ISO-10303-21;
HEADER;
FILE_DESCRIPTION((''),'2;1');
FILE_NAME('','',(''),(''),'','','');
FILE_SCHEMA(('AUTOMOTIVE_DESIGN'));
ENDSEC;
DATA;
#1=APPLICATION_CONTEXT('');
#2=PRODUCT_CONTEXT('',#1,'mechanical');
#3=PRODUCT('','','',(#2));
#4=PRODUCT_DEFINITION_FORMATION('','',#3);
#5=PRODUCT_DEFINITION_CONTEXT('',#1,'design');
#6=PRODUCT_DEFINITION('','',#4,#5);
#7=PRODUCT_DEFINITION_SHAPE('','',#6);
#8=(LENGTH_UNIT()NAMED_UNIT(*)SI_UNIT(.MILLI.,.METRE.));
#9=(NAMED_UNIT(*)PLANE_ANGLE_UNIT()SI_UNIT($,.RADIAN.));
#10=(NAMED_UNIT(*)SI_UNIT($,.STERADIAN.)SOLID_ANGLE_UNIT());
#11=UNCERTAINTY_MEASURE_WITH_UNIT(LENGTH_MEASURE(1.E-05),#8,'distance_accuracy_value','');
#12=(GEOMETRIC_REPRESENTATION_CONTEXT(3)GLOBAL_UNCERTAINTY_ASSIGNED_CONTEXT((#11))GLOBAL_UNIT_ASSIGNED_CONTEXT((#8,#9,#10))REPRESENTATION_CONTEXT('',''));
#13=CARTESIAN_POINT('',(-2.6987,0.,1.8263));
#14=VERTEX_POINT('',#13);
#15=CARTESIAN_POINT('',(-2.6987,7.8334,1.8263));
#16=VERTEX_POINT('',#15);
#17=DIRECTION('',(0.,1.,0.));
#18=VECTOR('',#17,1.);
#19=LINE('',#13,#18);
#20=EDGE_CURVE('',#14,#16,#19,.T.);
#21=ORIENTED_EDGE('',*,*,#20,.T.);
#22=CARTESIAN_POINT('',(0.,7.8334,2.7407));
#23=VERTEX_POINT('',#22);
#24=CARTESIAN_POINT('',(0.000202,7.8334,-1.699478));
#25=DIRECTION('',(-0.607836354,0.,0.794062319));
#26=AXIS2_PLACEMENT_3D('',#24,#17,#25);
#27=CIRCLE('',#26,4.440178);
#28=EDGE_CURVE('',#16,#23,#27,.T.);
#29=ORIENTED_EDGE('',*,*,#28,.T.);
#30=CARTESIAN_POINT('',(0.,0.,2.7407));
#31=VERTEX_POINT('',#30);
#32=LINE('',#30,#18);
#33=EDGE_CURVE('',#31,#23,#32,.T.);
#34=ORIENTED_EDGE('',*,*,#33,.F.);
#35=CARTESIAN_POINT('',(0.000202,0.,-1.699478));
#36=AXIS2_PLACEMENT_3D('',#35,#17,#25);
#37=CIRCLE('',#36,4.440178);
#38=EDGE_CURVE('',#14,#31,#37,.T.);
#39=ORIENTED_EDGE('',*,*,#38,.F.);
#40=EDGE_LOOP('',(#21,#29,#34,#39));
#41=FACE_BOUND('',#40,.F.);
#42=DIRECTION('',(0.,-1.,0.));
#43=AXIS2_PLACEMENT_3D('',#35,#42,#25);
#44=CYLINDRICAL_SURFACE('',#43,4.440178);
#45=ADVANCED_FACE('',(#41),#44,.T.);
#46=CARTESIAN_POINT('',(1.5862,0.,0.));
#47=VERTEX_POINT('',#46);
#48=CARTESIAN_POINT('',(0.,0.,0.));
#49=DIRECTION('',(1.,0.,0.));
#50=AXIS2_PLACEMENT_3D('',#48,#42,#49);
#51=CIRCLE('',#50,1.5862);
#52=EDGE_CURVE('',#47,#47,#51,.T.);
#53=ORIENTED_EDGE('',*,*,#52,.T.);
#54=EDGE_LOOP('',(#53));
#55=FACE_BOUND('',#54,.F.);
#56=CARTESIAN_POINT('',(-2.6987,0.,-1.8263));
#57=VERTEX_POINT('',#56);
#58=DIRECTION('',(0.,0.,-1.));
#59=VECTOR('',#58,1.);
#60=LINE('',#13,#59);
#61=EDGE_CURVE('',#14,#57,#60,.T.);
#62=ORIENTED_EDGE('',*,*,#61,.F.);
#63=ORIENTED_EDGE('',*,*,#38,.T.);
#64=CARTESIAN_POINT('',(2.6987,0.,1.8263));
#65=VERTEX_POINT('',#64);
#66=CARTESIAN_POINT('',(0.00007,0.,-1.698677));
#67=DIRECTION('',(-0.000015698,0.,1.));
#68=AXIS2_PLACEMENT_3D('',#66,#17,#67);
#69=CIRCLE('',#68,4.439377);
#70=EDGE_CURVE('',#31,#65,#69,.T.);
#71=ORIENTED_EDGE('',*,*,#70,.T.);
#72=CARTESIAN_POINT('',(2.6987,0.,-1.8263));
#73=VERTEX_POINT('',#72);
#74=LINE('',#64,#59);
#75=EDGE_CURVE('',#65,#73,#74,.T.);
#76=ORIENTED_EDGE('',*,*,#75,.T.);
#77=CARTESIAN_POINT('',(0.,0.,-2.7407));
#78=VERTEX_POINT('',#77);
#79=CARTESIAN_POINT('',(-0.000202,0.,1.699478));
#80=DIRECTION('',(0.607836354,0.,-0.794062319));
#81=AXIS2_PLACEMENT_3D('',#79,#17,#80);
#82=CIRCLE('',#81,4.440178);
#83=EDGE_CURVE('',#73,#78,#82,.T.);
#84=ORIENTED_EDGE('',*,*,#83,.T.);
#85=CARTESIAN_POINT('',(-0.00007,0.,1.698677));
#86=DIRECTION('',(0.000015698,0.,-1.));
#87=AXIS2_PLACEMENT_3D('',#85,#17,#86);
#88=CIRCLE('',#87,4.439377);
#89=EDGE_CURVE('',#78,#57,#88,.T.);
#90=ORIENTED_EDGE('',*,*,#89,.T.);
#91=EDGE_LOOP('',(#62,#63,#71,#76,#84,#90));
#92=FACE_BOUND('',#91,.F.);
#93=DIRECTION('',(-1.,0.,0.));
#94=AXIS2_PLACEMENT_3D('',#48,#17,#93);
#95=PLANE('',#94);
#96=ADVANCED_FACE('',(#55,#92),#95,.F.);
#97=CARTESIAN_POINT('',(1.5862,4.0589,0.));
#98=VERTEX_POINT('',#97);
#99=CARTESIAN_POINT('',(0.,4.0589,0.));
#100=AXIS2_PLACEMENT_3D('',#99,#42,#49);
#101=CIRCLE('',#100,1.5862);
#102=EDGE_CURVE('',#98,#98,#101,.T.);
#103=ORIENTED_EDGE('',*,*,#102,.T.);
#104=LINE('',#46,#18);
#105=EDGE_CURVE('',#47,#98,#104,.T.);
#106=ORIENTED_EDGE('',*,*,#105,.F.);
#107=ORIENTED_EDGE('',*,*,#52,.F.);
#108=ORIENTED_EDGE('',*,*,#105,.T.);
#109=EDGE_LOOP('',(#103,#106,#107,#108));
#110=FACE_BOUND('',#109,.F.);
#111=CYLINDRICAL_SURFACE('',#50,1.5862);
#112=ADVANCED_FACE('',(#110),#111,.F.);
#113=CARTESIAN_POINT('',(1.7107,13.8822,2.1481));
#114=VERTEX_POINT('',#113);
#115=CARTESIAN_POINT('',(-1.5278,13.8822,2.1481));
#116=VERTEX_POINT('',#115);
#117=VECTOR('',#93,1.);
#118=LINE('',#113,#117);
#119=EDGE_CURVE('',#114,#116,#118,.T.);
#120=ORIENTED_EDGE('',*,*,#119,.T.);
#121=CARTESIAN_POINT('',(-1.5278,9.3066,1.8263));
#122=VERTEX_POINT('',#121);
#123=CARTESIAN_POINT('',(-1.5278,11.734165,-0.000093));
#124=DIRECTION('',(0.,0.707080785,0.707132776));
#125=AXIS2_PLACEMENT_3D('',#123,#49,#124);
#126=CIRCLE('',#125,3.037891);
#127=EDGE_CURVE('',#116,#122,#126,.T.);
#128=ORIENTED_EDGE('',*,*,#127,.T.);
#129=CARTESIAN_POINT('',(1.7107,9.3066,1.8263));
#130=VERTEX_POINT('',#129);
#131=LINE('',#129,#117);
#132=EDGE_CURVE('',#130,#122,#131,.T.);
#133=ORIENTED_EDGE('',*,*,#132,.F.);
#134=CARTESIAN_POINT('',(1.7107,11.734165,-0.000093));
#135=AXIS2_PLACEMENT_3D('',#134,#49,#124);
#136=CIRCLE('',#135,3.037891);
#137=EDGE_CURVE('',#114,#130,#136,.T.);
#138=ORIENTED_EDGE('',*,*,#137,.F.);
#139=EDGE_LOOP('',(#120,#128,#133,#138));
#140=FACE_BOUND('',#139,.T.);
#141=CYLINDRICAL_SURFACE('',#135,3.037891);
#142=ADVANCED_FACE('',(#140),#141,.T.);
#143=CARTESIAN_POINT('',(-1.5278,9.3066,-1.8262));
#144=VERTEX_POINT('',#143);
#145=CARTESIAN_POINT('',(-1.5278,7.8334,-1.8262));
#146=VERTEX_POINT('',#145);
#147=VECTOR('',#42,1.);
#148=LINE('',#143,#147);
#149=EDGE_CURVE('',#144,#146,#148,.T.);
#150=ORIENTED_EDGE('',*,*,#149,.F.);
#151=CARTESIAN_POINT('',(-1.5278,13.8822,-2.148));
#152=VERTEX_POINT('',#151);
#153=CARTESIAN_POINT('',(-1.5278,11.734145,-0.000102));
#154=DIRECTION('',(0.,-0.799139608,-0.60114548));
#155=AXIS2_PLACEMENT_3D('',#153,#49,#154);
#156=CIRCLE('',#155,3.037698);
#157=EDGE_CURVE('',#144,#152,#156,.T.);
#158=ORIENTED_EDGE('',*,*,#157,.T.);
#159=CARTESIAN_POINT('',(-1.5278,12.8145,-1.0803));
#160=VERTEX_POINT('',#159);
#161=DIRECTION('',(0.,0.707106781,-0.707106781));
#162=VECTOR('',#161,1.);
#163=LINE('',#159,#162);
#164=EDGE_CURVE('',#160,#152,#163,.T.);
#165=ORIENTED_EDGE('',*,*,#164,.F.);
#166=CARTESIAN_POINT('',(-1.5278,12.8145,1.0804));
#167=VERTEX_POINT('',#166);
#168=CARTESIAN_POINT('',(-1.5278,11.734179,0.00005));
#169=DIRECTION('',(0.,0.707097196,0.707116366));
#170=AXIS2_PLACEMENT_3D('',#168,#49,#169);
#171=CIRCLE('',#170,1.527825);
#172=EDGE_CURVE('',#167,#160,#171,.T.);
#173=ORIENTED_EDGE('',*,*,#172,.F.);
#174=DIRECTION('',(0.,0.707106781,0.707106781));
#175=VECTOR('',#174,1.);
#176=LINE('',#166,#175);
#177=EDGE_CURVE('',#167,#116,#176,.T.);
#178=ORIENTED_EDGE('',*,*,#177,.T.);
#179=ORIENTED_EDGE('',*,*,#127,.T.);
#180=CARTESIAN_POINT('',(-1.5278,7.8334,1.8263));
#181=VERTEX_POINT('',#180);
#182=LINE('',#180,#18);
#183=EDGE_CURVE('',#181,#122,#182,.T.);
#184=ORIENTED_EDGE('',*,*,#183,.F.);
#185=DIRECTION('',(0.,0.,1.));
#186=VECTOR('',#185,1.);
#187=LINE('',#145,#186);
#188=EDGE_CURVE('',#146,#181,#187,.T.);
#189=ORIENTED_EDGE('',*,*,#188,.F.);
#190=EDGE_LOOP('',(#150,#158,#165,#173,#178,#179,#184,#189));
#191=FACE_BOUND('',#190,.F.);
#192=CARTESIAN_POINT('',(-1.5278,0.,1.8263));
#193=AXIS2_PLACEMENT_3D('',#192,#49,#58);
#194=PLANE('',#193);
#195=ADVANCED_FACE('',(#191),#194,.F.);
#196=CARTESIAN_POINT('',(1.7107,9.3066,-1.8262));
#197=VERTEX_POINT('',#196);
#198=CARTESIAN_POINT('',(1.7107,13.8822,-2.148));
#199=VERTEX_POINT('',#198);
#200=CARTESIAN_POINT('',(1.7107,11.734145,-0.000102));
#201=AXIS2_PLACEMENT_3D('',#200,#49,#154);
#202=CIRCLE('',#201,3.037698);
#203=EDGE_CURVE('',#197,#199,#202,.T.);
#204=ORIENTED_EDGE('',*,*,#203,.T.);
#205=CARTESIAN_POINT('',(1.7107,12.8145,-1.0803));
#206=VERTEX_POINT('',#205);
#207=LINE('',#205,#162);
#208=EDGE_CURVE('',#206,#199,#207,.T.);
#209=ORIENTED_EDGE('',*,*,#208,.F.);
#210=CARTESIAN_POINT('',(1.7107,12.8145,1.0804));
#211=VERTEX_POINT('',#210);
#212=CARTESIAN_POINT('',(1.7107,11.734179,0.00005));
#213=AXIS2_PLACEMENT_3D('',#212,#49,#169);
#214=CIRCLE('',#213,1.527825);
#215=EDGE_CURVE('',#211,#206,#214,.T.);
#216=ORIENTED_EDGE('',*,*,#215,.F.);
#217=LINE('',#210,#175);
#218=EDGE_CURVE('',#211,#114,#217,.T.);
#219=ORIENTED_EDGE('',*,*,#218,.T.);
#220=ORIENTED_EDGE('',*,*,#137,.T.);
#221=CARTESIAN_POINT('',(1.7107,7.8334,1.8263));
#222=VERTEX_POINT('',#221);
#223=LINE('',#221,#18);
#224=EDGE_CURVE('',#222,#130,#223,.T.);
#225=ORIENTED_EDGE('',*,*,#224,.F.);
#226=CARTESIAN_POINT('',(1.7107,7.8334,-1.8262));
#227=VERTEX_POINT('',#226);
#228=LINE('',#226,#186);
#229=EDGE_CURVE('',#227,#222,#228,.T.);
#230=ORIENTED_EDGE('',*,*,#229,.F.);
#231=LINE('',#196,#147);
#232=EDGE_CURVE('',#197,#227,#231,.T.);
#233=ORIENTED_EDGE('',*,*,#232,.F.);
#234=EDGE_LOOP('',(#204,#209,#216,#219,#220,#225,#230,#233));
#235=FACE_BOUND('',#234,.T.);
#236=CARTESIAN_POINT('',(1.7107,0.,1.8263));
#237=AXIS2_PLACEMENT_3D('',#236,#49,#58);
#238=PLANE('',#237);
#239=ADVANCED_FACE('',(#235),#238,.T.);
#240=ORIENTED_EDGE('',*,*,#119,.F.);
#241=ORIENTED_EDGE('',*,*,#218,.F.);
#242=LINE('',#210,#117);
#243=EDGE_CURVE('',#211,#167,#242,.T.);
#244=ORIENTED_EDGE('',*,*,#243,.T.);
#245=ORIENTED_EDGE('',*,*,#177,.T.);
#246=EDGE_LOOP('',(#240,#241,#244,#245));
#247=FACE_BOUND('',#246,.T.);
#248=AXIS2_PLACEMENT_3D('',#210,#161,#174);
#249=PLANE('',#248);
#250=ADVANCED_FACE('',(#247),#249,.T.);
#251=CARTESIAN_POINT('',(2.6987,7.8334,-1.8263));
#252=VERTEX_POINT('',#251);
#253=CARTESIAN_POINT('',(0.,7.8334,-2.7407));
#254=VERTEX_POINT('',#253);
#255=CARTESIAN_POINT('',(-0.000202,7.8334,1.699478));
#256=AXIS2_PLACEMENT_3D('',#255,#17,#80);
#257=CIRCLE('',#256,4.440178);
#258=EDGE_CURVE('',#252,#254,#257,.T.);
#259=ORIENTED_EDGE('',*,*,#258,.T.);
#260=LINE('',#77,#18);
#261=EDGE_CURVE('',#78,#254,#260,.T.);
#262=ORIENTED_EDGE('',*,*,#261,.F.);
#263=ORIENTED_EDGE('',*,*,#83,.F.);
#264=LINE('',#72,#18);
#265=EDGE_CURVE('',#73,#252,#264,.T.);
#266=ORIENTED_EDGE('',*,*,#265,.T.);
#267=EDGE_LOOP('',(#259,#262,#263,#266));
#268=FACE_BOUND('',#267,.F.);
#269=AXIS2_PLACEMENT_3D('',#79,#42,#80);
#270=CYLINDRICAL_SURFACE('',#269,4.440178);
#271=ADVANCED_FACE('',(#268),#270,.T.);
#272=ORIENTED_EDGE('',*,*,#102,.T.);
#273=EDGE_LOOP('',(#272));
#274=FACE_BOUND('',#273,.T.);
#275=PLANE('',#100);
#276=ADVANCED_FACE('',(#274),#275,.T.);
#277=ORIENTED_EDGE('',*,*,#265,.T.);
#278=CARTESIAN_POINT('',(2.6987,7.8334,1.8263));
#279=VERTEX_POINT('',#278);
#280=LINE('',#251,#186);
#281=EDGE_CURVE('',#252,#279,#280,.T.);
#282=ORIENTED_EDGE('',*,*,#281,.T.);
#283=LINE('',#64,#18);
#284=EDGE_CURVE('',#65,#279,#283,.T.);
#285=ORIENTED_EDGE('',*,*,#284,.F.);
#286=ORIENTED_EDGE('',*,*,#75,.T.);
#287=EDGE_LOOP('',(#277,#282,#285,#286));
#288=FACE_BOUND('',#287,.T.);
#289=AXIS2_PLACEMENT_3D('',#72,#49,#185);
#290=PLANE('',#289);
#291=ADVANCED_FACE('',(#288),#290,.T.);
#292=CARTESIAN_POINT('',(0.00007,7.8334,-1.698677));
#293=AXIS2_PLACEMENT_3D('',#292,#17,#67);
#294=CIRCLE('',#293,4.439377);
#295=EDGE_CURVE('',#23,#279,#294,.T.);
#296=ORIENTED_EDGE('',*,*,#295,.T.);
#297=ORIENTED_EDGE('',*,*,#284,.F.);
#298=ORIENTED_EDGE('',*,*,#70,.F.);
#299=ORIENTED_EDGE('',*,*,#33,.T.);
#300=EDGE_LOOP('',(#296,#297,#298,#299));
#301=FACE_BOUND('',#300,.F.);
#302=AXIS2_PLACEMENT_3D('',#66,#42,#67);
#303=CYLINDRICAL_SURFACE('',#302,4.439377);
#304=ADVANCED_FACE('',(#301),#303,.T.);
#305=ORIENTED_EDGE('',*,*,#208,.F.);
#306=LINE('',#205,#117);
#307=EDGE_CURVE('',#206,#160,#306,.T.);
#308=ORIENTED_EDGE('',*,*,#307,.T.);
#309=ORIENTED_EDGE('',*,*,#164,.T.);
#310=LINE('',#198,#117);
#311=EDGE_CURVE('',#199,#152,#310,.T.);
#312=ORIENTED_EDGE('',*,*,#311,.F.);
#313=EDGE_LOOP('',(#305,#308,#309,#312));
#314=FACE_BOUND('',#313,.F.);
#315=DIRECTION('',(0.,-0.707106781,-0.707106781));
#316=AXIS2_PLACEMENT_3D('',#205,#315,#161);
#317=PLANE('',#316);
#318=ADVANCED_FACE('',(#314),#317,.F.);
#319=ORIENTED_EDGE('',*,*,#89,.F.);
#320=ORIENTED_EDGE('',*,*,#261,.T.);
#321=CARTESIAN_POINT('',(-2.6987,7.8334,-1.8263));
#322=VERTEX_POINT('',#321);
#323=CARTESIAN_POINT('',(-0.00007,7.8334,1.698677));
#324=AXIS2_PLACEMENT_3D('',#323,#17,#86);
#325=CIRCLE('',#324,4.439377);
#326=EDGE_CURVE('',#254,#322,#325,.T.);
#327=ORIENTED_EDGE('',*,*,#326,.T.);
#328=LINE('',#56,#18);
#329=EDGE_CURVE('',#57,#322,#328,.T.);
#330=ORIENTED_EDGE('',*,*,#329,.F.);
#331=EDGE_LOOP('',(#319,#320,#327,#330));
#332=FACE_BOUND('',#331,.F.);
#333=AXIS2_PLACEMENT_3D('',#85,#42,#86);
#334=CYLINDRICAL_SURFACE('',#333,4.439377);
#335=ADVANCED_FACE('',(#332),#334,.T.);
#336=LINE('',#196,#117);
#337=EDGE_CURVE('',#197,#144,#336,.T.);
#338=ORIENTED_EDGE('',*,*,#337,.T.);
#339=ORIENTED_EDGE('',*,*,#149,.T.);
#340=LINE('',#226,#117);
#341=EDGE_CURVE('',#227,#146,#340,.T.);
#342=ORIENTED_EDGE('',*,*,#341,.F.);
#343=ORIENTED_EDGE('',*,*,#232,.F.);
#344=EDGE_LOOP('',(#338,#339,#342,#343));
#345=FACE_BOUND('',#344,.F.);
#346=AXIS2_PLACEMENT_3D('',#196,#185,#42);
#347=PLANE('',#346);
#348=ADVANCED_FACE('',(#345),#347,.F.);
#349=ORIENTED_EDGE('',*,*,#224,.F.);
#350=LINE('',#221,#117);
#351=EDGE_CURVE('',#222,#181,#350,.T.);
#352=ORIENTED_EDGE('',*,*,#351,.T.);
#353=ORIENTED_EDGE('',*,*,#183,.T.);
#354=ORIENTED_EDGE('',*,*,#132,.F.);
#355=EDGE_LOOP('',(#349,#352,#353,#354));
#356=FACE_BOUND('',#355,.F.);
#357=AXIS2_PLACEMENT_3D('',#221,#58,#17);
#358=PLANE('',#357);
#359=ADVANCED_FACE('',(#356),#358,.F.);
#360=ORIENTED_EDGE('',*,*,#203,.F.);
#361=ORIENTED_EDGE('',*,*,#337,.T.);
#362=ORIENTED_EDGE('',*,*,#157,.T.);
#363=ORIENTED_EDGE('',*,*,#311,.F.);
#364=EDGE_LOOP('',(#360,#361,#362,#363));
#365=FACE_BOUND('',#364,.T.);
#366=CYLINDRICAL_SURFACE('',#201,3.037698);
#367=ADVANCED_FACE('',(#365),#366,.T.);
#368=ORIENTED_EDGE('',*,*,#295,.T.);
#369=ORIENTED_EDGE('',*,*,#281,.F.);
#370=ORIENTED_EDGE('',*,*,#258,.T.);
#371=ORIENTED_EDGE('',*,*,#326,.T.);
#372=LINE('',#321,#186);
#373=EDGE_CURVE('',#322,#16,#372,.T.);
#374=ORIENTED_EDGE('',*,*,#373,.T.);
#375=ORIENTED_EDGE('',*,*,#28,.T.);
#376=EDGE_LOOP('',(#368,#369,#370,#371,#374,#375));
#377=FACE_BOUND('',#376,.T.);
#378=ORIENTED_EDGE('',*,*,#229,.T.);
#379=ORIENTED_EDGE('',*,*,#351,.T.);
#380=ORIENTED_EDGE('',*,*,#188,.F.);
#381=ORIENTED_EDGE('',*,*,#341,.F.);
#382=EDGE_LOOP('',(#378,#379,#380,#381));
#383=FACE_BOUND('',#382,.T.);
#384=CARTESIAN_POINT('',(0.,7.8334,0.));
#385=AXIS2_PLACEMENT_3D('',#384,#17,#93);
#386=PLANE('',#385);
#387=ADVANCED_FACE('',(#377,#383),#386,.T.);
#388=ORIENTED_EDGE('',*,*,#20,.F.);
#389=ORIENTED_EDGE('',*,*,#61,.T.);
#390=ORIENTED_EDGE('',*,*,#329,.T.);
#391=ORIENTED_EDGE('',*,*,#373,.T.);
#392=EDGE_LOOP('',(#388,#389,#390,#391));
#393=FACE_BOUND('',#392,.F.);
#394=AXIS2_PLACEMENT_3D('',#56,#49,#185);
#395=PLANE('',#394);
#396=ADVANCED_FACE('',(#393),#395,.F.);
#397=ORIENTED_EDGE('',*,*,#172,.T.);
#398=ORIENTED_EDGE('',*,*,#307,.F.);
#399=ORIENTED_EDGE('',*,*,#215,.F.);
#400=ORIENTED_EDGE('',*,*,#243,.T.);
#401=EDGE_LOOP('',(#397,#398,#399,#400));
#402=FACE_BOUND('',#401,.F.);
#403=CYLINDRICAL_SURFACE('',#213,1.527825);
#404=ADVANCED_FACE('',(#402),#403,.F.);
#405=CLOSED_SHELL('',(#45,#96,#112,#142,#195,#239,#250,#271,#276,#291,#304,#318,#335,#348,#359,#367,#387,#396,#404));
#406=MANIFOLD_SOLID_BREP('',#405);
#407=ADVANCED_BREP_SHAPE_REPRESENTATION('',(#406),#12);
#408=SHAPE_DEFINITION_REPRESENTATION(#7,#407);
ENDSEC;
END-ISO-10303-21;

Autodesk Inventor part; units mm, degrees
ref_plane "YZ Plane" through (0, 0, 0) normal (1, 0, 0) x (0, 1, 0)
ref_plane "XZ Plane" through (0, 0, 0) normal (0, 1, 0) x (-1, 0, 0)
sketch "Sketch1" plane through (0, 0, 0) normal (0, 1, 0) x (-1, 0, 0)
  line L0 (0, 0) -> (2.6987, 0) construction
  line L1 (2.6987, 0) -> (2.6987, -2.7407) construction
  line L2 (2.6987, -2.7407) -> (0, -2.7407) construction
  line L3 (0, -2.7407) -> (0, 0) construction
  line L4 (2.6987, 0) -> (2.6987, -1.8263) construction
  line L5 (2.6987, 0) -> (4.525, 0) construction
  arc A0 (0, -2.7407) -> (2.6987, -1.8263) centre (0, 1.6991) ccw
  line L6 (2.6987, -1.8263) -> (2.6987, 0)
  arc A1 (-2.6987, -1.8263) -> (0, -2.7407) centre (0, 1.6991) ccw
  line L7 (-2.6987, -1.8263) -> (-2.6987, 0)
  arc A2 (2.6987, 1.8263) -> (0, 2.7407) centre (0, -1.6991) ccw
  line L8 (2.6987, 1.8263) -> (2.6987, 0)
  arc A3 (0, 2.7407) -> (-2.6987, 1.8263) centre (0, -1.6991) ccw
  line L9 (-2.6987, 1.8263) -> (-2.6987, 0)
  dimension "d0" = 2.6987
  dimension "d1" = 2.7407
  dimension "d2" = 1.8263
  dimension "d3" = 90
extrude "Extrusion1" add sketch "Sketch1" along normal blind 7.8334
sketch "Sketch2" plane through (0, 0, 0) normal (0, -1, 0) x (1, 0, 0)
  circle A0 centre (0, 0) radius 1.5862
  dimension "d6" = 3.1725
extrude "Extrusion2" cut sketch "Sketch2" against normal blind 4.0589
ref_plane "Work Plane1" through (1.7107, 0, 1.8263) normal (1, 0, 0) x (0, 0, -1)
sketch "Sketch3" plane through (1.7107, 0, 1.8263) normal (1, 0, 0) x (0, 0, -1)
  line L0 (3.6525, 7.8334) -> (0, 7.8334) projected
  line L1 (3.6525, 7.8334) -> (0, 7.8334)
  line L2 (0, 7.8334) -> (0, 9.3066)
  line L3 (0, 9.3066) -> (1.8263, 9.3066) construction
  line L4 (3.6525, 9.3066) -> (3.6525, 7.8334)
  arc A0 (0.7459, 12.8145) -> (2.9066, 12.8145) centre (1.8263, 11.7342) ccw
  line L5 (1.8263, 11.7342) -> (1.8263, 14.772) construction
  line L6 (2.9066, 12.8145) -> (3.9743, 13.8822)
  line L7 (0.7459, 12.8145) -> (-0.3218, 13.8822)
  arc A1 (-0.3218, 13.8822) -> (0, 9.3066) centre (1.8263, 11.7342) ccw
  arc A2 (3.6525, 9.3066) -> (3.9743, 13.8822) centre (1.8263, 11.7342) ccw
  point P0 (1.8263, 0)
  dimension "d10" = 1.4732
  dimension "d12" = 3.0556
  dimension "d13" = 45
  dimension "d14" = 45
extrude "Extrusion3" add sketch "Sketch3" against normal blind 3.2385
properties part number "hand project" material "ABS Plastic"
